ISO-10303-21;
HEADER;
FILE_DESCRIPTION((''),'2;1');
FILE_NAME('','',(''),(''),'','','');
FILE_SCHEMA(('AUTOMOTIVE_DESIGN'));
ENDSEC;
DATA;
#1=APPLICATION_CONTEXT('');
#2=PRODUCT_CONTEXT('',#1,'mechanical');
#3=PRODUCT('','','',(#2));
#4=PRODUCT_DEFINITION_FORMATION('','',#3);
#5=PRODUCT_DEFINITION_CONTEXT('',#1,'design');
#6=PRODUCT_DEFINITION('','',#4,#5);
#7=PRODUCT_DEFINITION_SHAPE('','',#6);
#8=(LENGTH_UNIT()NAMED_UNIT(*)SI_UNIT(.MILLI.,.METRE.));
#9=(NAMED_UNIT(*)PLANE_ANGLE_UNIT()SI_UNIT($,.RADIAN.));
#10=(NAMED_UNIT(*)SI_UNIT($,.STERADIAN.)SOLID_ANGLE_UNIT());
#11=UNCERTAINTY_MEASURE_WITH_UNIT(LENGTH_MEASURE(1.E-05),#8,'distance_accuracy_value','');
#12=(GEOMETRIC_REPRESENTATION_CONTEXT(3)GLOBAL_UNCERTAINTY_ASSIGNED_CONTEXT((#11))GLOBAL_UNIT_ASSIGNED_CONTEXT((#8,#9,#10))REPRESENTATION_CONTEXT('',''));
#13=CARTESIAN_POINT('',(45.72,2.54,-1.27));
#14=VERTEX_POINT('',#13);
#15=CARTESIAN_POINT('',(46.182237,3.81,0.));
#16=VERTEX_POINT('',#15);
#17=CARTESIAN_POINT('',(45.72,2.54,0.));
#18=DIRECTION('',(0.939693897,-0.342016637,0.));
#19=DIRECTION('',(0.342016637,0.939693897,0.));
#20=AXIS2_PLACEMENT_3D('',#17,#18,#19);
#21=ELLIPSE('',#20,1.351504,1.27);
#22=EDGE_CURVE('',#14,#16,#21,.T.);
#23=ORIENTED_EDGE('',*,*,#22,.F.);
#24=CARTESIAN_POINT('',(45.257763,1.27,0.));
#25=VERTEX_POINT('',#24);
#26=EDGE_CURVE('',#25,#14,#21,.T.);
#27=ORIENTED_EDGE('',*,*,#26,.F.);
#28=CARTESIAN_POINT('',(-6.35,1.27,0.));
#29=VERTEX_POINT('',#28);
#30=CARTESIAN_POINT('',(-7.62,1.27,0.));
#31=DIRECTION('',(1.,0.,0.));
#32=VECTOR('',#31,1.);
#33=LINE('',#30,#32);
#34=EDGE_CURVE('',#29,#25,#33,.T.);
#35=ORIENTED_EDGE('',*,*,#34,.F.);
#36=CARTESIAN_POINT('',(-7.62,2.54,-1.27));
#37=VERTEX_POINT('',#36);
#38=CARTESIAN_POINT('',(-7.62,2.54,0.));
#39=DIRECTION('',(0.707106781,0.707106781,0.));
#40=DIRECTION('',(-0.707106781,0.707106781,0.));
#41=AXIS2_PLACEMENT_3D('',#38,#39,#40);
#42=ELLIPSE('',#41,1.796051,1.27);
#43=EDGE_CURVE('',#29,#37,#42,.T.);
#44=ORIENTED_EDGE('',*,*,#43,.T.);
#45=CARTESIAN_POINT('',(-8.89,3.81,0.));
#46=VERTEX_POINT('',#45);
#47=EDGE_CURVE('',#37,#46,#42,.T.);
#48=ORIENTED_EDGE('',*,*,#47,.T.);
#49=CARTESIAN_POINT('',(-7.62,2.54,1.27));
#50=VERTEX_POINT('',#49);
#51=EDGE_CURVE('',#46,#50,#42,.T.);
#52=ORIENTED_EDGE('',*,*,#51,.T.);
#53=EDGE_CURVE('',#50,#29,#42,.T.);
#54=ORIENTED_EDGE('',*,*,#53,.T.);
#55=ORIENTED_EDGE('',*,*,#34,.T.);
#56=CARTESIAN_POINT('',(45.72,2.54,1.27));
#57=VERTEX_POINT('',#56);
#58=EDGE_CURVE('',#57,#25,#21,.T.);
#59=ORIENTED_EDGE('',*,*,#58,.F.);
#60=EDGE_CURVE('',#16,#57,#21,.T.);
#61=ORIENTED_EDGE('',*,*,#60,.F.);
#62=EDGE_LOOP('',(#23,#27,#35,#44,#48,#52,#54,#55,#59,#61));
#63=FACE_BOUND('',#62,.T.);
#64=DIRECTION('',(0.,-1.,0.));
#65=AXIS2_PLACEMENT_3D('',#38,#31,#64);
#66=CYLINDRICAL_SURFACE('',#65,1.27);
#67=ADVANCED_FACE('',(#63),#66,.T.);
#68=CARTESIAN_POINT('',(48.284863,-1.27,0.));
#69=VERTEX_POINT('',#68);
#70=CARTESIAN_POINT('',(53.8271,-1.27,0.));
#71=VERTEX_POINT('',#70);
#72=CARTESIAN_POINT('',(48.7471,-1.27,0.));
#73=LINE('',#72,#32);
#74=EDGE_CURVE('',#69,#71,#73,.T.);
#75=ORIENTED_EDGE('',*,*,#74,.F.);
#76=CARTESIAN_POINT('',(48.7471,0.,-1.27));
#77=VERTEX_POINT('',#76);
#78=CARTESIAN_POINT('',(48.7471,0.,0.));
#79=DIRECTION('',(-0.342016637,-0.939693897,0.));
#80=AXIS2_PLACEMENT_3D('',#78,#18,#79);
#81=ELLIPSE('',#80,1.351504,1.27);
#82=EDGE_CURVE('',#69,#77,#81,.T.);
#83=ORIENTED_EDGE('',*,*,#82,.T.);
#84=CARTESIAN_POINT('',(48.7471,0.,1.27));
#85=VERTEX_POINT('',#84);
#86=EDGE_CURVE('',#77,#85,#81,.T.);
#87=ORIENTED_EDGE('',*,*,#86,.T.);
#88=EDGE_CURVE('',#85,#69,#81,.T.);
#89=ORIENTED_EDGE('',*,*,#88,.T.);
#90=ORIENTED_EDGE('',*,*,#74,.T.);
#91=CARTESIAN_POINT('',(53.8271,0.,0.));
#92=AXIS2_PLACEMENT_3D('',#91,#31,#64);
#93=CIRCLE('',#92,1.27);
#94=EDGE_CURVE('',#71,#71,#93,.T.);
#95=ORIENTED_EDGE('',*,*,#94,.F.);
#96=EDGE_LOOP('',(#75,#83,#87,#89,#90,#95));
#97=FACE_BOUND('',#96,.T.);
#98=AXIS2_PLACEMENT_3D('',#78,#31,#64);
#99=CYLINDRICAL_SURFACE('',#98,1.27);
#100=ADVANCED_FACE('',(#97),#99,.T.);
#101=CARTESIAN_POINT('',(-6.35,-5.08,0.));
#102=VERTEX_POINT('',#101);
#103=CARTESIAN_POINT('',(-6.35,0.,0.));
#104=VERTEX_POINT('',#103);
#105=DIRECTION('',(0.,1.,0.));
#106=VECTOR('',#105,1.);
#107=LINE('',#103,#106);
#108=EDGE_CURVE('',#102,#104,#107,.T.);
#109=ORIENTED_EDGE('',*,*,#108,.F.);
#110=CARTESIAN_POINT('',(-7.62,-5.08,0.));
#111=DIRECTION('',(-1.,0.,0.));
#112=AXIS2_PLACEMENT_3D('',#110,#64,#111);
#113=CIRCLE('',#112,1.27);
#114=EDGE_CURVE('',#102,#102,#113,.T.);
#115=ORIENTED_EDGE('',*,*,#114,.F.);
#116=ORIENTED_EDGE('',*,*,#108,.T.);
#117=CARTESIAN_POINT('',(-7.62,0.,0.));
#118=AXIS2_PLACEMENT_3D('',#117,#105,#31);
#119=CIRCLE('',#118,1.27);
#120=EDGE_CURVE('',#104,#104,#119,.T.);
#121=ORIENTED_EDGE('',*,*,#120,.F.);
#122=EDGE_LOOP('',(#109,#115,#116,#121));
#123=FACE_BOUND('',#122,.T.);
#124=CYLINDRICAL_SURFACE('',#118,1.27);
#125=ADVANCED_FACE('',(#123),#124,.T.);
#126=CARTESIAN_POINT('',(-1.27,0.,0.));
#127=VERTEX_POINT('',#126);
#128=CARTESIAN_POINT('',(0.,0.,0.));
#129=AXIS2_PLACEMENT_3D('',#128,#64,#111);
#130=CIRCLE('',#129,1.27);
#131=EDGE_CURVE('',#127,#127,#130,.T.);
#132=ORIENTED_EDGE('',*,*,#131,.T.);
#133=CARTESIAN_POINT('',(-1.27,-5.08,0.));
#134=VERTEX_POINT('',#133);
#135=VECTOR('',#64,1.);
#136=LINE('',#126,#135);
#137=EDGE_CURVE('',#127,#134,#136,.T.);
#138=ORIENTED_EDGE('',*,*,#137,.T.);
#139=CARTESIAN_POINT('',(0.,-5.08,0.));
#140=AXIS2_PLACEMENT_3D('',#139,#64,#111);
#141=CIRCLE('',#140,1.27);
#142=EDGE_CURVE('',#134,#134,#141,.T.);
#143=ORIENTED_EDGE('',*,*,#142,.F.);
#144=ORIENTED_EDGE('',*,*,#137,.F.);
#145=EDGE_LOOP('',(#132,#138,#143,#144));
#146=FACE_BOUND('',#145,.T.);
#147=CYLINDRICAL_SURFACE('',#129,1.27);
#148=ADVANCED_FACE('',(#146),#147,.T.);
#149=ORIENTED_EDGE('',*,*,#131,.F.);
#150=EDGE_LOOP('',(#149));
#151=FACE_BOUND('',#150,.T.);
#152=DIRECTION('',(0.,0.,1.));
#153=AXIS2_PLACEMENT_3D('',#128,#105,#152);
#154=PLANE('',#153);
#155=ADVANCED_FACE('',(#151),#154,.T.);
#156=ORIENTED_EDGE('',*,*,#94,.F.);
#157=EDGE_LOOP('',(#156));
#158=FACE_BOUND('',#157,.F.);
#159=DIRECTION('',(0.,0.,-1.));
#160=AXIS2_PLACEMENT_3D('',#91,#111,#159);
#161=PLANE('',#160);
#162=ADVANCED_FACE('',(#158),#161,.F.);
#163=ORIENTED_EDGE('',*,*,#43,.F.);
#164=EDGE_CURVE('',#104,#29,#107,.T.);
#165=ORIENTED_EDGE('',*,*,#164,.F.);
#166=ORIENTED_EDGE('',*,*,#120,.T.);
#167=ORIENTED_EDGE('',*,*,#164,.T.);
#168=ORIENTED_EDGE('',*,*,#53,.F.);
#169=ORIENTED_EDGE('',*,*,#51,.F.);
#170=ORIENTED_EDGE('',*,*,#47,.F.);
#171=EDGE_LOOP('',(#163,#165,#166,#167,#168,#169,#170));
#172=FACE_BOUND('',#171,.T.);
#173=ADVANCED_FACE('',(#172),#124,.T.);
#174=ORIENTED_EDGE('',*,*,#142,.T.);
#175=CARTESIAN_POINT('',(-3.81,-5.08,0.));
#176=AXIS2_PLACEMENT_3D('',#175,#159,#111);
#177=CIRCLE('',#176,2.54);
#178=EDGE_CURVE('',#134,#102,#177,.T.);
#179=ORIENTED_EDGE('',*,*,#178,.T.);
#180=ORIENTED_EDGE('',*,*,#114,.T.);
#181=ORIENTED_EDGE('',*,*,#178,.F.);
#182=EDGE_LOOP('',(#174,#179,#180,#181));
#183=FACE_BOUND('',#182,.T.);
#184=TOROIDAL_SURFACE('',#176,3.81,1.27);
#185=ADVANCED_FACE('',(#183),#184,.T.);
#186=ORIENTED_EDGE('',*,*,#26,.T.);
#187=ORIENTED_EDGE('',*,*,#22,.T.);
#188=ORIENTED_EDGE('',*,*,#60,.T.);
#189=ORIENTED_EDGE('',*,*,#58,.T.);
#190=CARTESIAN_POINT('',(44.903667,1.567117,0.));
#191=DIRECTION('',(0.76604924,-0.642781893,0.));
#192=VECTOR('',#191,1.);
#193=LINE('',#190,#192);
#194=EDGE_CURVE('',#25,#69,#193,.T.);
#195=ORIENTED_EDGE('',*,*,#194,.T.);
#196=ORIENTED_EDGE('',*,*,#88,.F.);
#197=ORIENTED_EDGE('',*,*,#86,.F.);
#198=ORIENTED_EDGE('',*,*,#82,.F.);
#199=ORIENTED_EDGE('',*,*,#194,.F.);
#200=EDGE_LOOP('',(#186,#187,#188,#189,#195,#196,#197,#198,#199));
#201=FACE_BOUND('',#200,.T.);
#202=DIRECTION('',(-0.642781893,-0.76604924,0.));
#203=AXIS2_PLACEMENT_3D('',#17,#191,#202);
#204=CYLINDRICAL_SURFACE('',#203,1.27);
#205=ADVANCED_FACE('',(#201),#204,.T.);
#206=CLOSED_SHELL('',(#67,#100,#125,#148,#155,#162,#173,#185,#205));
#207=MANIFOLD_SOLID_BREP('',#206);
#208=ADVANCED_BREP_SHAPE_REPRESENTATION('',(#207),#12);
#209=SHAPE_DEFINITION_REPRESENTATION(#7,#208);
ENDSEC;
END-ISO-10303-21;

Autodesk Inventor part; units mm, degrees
ref_plane "YZ Plane" through (0, 0, 0) normal (1, 0, 0) x (0, 1, 0)
ref_plane "XZ Plane" through (0, 0, 0) normal (0, 1, 0) x (-1, 0, 0)
ref_plane "XY Plane" through (0, 0, 0) normal (0, 0, 1) x (1, 0, 0)
sketch "Sketch1" plane through (0, 0, 0) normal (0, 0, 1) x (1, 0, 0)
  line L0 (0, 0) -> (0, -5.08)
  line L1 (-7.62, 0) -> (-7.62, -5.08)
  arc A0 (-7.62, -5.08) -> (0, -5.08) centre (-3.81, -5.08) ccw
  line L2 (-7.62, 0) -> (-7.62, 2.54)
  line L3 (-7.62, 2.54) -> (45.72, 2.54)
  line L4 (45.72, 2.54) -> (48.7471, 0)
  line L5 (45.72, 2.54) -> (49.6715, 2.54) construction
  line L6 (48.7471, 0) -> (53.8271, 0)
  dimension "d0" = 5.08
  dimension "d1" = 5.08
  dimension "d2" = 7.62
  dimension "d11" = 2.54
  dimension "d13" = 53.34
  dimension "d15" = 2.54
  dimension "d16" = 40
  dimension "d17" = 5.08
sketch "Sketch2" plane through (0, 0, 0) normal (0, 1, 0) x (-1, 0, 0)
  circle A0 centre (0, 0) radius 1.27
  dimension "d10" = 2.54
sweep "Sweep1" add profiles "Sketch2" path "Sketch1"
properties part number "Catch_Lever"
